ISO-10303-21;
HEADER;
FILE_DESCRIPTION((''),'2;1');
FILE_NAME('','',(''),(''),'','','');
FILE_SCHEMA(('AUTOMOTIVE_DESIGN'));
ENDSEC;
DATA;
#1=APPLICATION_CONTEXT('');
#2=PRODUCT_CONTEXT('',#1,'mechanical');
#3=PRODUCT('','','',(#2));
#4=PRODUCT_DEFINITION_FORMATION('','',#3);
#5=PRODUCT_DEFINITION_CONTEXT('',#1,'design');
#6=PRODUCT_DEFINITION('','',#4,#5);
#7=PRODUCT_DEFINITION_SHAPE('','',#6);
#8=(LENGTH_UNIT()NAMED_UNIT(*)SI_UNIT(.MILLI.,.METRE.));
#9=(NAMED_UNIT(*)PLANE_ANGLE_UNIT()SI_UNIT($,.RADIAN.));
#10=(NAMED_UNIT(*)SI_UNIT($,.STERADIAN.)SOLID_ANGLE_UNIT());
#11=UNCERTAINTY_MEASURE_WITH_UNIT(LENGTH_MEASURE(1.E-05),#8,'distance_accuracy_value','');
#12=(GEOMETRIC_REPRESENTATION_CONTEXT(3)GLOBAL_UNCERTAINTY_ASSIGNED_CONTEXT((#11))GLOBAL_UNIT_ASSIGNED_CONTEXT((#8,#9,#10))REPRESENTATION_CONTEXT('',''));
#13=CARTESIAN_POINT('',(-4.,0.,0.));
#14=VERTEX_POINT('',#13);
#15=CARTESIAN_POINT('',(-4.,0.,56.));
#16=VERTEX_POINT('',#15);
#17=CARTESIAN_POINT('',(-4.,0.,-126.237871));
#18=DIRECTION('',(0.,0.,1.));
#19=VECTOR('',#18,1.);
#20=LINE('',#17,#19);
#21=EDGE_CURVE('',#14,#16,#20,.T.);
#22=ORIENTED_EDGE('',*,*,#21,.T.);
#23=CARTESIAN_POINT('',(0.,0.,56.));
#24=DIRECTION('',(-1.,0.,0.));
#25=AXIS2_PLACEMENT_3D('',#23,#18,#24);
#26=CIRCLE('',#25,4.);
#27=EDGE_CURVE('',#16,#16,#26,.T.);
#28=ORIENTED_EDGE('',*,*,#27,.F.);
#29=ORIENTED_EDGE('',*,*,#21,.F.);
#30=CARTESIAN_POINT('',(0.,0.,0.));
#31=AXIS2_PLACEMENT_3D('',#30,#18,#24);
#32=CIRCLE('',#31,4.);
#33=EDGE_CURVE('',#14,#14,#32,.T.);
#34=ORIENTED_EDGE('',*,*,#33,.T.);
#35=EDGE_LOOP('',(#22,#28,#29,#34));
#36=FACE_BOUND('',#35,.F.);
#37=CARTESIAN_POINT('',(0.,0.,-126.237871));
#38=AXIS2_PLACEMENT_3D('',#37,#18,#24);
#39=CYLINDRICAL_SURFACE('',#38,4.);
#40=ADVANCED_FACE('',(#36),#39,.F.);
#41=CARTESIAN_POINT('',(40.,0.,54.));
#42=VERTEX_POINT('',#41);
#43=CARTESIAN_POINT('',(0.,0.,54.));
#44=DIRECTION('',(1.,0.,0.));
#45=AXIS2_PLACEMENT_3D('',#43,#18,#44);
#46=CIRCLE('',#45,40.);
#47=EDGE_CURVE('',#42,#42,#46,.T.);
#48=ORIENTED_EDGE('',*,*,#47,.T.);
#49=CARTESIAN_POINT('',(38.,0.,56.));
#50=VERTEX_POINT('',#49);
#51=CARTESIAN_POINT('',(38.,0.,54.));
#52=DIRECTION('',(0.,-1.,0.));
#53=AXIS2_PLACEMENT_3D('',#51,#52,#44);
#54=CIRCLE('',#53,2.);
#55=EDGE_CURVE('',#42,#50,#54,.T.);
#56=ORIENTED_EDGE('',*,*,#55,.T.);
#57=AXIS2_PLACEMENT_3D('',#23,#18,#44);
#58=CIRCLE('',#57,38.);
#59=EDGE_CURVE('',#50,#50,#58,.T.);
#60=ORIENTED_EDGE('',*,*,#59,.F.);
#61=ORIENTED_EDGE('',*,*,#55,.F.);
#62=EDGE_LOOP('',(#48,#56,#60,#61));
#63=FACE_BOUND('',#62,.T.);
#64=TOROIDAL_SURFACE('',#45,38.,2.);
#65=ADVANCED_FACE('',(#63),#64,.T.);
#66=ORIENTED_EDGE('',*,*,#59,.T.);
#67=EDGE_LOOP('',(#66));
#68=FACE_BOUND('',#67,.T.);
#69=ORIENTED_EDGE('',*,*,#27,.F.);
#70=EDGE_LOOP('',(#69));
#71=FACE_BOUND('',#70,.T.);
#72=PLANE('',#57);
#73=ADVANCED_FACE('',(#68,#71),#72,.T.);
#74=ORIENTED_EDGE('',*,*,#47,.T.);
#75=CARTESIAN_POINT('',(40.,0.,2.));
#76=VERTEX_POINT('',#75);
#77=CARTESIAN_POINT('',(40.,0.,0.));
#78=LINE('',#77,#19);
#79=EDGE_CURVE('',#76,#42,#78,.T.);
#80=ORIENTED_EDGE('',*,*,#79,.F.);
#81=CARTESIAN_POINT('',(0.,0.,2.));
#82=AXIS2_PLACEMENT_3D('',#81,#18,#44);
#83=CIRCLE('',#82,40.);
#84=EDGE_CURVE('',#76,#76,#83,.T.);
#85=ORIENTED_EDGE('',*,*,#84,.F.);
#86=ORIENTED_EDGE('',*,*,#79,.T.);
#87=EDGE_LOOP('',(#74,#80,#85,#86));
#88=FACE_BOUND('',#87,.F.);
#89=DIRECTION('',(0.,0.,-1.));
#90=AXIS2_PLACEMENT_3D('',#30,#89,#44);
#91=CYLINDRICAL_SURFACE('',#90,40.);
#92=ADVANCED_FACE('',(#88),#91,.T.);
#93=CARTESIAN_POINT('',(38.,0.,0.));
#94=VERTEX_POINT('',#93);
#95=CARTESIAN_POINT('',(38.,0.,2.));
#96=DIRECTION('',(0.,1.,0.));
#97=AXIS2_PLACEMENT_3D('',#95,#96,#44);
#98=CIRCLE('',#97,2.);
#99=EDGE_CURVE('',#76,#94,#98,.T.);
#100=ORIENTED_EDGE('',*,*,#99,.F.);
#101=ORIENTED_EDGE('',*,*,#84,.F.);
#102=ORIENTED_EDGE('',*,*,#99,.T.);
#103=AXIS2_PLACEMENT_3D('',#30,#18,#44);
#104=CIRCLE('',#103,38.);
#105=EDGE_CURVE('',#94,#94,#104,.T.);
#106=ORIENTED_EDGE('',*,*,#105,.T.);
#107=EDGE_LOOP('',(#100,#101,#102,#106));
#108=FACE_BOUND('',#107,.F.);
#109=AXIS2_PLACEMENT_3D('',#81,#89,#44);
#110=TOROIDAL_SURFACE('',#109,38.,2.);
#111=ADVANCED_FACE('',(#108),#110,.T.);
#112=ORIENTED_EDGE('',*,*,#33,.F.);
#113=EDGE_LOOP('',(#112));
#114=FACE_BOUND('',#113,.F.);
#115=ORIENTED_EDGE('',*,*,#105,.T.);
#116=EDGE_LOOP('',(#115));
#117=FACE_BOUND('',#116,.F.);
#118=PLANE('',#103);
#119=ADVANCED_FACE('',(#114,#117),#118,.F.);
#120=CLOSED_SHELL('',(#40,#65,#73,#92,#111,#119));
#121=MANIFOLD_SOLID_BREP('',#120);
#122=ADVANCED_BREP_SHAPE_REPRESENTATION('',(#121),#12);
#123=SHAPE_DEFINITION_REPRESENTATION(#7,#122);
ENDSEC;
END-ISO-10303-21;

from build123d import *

# Parameters (mm, degrees)
F0_R     = 40
F1_DEPTH = 56
F2_D     = 8
F3_R     = 2


with BuildPart() as f1:
    # F0 (on Top) → F1 (new body)
    with BuildSketch(Plane.XY):
        Circle(F0_R)
    extrude(amount=F1_DEPTH)

    # F2 (through all)
    with Locations(Plane(origin=(0, 0, 0), x_dir=(1, 0, 0), z_dir=(0, 0, -1))):
        with Locations((0, 0)):
            Hole(F2_D / 2)

    # F3
    f3_edges = [f1.edges().sort_by_distance(p)[0] for p in [
        (40, 0, 28),
        (-40, 0, 0),
        (-40, 0, 56),
    ]]
    fillet(f3_edges, radius=F3_R)


solid = f1.part
